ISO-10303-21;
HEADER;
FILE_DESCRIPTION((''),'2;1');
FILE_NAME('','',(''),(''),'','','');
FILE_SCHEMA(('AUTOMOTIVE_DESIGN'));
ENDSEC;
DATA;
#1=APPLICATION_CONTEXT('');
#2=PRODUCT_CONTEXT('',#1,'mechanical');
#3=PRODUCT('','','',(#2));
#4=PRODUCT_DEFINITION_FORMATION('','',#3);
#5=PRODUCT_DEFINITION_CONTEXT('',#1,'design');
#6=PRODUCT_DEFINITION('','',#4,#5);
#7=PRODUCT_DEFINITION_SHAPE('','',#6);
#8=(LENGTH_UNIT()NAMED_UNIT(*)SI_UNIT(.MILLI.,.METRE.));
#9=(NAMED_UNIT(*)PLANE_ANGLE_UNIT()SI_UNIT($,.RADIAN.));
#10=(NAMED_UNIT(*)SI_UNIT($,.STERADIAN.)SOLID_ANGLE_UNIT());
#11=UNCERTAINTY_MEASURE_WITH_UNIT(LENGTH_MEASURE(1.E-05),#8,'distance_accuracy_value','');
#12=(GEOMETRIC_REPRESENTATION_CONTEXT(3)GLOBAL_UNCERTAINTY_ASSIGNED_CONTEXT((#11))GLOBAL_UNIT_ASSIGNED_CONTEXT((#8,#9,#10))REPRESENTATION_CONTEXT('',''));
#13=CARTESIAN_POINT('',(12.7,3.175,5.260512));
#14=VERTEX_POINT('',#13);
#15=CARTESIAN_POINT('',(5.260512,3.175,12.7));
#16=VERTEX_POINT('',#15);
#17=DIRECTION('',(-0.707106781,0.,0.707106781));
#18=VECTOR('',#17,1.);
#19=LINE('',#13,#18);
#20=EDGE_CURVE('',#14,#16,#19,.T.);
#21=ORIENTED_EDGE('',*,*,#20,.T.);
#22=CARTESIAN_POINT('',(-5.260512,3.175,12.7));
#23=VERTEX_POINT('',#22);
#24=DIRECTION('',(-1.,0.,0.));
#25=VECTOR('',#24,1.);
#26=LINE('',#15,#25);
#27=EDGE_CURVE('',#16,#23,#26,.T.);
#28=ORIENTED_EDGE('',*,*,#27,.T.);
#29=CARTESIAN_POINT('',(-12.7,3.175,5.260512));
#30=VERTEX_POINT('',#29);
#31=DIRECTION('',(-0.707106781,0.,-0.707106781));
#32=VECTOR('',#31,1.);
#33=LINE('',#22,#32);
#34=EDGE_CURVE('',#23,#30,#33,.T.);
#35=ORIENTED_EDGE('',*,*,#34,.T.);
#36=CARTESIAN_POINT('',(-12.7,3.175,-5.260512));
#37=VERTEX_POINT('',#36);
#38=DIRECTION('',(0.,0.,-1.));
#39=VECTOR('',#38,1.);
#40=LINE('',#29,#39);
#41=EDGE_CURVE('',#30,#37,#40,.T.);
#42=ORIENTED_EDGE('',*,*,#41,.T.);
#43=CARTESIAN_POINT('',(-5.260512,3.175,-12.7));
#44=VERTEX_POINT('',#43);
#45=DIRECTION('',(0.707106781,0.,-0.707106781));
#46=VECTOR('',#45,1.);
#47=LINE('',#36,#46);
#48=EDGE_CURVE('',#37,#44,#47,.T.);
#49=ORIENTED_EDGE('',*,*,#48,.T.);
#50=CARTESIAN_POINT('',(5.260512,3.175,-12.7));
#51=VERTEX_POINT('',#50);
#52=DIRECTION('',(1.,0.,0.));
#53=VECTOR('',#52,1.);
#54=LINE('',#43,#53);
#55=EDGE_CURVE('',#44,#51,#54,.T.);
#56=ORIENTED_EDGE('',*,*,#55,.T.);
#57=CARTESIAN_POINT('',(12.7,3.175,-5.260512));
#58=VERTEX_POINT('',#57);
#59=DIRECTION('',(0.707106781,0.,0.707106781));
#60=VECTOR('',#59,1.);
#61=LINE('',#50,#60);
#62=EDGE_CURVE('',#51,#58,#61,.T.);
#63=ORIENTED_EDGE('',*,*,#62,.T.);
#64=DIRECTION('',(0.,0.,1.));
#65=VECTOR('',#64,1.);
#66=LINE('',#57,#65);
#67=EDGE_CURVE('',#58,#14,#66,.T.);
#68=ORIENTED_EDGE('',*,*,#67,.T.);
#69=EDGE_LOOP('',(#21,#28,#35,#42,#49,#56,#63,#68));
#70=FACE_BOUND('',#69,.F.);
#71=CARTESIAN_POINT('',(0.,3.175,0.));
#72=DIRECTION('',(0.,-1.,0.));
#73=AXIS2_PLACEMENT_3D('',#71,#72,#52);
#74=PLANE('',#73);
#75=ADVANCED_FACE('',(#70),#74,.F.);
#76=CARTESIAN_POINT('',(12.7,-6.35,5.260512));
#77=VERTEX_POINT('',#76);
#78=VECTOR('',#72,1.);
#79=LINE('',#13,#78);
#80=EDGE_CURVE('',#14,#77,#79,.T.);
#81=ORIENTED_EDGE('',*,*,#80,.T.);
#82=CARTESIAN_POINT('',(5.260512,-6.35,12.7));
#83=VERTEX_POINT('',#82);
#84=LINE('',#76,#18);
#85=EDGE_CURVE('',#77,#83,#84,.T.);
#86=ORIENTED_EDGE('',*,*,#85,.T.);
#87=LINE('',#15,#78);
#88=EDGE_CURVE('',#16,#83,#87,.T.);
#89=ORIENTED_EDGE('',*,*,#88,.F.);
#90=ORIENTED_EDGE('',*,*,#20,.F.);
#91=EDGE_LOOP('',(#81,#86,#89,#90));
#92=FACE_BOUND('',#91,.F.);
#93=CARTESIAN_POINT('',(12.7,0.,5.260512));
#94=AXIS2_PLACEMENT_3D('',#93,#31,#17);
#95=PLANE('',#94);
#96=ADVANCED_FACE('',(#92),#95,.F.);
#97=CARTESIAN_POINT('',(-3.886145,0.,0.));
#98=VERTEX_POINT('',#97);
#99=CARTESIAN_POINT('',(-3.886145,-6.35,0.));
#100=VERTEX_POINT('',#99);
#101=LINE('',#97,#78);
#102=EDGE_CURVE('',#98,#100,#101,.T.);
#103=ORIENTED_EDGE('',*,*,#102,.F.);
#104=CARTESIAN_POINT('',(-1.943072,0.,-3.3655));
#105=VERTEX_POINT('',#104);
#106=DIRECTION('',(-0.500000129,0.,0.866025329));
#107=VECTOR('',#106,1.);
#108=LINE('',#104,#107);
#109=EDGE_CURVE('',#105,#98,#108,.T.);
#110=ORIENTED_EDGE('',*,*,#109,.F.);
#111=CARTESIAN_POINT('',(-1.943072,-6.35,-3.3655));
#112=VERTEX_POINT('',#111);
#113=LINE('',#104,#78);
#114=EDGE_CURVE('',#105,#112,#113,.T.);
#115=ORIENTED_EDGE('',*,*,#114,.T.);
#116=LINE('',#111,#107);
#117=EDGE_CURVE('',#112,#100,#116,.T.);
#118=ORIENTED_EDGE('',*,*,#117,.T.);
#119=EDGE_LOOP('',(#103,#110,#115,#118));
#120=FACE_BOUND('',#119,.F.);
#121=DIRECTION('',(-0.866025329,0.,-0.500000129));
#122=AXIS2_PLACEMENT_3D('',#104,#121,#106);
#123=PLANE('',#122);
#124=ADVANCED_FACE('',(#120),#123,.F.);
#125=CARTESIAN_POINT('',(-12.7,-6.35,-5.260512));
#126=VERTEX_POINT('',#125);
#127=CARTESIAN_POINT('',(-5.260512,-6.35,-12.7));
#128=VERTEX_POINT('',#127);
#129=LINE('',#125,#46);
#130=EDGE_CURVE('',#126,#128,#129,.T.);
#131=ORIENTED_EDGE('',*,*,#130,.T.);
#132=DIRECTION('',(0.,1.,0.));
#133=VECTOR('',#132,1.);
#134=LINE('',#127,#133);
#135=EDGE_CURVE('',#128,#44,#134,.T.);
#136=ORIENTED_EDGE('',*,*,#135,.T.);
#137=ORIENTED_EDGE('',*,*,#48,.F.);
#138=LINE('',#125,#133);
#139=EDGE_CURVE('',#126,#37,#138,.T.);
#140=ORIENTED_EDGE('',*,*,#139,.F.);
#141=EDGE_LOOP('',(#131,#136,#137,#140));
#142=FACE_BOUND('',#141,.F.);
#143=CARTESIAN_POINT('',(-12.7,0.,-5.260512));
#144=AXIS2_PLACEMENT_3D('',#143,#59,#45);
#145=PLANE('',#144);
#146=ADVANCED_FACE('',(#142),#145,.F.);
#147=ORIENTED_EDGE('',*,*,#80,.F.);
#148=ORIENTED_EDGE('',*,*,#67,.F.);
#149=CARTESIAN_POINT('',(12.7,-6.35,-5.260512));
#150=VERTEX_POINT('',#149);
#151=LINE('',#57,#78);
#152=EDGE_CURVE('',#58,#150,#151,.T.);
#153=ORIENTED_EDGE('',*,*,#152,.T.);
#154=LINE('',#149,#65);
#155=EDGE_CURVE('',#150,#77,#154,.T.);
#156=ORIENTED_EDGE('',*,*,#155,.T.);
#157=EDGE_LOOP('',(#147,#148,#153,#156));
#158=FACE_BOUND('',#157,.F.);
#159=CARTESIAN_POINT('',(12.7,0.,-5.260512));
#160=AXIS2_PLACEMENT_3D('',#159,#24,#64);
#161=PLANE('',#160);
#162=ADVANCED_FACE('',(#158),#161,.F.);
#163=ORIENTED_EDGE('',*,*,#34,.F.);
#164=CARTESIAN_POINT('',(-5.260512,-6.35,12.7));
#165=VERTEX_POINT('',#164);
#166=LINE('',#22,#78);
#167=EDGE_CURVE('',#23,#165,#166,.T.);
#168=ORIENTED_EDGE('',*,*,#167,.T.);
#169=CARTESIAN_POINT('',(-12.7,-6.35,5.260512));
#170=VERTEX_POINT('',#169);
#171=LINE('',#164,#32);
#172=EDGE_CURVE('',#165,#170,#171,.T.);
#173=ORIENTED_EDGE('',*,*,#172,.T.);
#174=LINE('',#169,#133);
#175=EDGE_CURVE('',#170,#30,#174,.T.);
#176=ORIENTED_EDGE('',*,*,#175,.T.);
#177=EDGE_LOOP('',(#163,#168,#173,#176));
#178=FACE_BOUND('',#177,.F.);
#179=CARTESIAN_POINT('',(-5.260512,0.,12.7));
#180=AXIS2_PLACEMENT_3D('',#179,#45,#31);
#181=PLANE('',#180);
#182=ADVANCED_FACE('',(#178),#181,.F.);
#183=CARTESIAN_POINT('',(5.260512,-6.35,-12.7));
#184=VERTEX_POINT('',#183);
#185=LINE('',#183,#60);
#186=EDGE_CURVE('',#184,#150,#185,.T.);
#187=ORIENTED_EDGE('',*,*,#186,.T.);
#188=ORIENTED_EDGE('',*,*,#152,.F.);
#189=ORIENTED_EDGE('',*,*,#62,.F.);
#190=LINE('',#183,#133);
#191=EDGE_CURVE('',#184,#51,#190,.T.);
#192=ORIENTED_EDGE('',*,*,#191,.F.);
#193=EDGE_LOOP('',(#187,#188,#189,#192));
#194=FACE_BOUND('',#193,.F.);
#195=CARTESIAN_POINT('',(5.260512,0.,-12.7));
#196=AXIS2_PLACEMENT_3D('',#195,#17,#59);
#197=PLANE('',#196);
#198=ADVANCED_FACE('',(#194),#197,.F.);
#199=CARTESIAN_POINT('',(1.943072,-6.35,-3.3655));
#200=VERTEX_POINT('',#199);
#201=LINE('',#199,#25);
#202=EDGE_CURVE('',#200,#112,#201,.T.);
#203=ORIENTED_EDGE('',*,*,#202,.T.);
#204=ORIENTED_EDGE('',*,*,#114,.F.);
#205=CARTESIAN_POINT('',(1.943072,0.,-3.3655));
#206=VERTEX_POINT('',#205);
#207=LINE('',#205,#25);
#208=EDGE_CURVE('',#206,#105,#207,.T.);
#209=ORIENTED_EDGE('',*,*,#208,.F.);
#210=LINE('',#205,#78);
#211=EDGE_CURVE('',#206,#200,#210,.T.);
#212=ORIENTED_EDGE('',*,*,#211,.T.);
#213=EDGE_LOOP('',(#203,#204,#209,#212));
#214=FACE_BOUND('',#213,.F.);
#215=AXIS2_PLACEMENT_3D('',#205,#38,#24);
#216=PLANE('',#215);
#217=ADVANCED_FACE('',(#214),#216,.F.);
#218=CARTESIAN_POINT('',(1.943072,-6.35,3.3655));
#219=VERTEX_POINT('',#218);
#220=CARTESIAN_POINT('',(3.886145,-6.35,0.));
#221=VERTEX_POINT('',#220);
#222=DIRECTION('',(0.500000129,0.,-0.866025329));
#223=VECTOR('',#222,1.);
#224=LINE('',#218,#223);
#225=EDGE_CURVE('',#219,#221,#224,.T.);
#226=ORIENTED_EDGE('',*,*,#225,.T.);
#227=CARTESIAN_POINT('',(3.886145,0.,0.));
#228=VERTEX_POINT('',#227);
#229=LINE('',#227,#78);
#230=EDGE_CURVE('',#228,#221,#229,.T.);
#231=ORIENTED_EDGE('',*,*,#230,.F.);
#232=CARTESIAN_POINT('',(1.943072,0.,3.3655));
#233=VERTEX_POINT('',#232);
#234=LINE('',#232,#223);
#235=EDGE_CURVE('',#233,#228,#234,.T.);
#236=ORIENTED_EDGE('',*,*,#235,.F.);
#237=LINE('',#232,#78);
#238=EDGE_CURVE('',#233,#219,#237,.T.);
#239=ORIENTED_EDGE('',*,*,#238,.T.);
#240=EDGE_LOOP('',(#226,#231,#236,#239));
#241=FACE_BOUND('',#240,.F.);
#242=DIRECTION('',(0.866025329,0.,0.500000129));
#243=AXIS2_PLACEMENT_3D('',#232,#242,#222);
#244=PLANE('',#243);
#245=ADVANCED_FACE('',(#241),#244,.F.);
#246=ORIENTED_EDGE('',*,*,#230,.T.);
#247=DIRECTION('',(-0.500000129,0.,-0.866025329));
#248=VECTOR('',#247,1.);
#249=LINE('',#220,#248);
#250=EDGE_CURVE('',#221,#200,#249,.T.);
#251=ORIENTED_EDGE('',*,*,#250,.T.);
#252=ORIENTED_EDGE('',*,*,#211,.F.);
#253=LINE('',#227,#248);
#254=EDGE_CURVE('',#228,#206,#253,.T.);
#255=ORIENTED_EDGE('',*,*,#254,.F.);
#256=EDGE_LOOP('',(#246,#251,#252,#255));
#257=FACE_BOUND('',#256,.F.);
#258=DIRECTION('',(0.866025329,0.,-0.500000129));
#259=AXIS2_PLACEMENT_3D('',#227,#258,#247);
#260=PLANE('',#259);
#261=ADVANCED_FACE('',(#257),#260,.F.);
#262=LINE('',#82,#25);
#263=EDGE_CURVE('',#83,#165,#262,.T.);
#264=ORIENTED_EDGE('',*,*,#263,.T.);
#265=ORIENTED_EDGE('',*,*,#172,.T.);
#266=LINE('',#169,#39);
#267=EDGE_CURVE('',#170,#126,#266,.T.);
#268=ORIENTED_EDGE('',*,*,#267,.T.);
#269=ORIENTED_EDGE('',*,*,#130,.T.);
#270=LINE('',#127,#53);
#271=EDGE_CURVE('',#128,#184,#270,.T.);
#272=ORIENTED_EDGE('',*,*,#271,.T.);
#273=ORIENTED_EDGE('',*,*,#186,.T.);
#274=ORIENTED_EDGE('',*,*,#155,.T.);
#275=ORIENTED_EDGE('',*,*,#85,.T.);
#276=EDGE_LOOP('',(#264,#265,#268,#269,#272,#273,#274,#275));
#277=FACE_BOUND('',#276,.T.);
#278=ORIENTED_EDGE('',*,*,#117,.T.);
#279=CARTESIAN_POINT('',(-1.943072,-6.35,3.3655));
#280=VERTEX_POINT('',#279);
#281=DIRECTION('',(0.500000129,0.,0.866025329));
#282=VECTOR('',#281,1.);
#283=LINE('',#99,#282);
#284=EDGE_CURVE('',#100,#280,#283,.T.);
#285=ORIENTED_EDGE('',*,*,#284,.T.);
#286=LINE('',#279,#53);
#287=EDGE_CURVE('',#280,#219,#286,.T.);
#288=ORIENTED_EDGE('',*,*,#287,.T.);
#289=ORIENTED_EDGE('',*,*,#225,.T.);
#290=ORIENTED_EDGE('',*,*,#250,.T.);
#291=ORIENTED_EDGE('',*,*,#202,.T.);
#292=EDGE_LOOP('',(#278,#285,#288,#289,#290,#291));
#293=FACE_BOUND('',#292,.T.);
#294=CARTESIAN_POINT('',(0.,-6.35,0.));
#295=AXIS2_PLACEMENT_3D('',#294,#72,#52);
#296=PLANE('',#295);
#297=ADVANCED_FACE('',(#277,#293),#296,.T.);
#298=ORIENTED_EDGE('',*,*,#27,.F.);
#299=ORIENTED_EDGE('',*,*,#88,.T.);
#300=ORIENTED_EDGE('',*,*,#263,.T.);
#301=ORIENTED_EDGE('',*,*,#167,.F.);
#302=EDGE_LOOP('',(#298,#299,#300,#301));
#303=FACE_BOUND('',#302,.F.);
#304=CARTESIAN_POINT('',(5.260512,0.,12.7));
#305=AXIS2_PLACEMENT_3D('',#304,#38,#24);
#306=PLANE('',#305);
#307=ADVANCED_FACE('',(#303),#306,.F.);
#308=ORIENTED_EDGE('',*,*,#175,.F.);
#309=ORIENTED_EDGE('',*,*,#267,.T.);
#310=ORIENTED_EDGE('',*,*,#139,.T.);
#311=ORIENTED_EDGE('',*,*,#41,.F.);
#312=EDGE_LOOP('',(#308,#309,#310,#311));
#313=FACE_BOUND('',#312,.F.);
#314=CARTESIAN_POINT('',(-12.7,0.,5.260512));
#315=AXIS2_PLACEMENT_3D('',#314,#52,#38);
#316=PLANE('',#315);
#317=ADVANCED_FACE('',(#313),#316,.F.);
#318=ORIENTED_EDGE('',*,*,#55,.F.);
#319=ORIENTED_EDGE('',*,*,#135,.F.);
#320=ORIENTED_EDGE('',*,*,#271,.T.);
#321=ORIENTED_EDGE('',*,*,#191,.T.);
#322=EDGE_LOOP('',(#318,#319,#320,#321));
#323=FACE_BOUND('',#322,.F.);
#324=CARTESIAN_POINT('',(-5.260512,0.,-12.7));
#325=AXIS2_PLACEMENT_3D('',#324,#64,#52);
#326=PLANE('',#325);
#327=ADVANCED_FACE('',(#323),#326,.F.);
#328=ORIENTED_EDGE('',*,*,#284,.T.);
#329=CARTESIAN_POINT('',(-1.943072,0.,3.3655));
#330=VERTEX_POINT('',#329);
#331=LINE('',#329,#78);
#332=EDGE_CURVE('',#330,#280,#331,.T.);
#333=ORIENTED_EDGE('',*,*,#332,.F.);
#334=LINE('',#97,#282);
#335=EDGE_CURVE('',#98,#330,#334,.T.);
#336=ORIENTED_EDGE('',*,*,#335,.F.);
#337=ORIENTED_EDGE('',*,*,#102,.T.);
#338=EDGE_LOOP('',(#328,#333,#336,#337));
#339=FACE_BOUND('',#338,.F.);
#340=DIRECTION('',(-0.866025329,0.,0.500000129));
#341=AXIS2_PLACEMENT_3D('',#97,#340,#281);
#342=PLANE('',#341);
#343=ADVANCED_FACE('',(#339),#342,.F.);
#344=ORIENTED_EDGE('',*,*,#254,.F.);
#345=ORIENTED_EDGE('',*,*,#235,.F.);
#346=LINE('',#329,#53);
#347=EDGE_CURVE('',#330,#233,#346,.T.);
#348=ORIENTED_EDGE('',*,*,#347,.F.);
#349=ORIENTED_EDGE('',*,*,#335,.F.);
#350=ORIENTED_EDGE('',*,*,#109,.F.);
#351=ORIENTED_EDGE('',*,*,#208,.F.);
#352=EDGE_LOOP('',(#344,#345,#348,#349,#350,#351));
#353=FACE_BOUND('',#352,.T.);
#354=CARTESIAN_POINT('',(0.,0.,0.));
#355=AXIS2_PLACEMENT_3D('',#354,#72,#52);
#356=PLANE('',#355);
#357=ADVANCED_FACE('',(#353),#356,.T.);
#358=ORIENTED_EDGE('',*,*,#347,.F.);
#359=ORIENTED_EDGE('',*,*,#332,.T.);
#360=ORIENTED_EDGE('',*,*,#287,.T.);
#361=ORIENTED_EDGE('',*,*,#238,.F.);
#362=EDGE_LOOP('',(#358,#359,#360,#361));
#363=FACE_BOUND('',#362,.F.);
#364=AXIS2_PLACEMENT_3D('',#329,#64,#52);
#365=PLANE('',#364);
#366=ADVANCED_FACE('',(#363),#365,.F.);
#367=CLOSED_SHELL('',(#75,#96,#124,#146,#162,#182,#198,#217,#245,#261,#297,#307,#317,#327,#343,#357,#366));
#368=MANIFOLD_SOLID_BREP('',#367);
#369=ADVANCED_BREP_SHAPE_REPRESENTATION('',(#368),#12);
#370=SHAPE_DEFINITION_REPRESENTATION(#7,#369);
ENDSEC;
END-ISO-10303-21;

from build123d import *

# Parameters (mm, degrees)
F1_DEPTH = 3.175
F3_DEPTH = 6.35


with BuildPart() as f1:
    # F0 (on Front) → F1 (new body)
    with BuildSketch(Plane.XZ):
        Polygon((5.260512, 12.7), (-5.260512, 12.7), (-12.7, 5.260512), (-12.7, -5.260512), (-5.260512, -12.7), (5.260512, -12.7), (12.7, -5.260512), (12.7, 5.260512), align=None)
    extrude(amount=-F1_DEPTH)

    # F2 (on face) → F3 (join)
    with BuildSketch(Plane.XZ):
        Polygon((5.260512, -12.7), (12.7, -5.260512), (12.7, 5.260512), (5.260512, 12.7), (-5.260512, 12.7), (-12.7, 5.260512), (-12.7, -5.260512), (-5.260512, -12.7), align=None)
        Polygon((-3.886145, 0), (-1.943072, 3.3655), (1.943072, 3.3655), (3.886145, 0), (1.943072, -3.3655), (-1.943072, -3.3655), align=None, mode=Mode.SUBTRACT)
    extrude(amount=F3_DEPTH)


solid = f1.part
